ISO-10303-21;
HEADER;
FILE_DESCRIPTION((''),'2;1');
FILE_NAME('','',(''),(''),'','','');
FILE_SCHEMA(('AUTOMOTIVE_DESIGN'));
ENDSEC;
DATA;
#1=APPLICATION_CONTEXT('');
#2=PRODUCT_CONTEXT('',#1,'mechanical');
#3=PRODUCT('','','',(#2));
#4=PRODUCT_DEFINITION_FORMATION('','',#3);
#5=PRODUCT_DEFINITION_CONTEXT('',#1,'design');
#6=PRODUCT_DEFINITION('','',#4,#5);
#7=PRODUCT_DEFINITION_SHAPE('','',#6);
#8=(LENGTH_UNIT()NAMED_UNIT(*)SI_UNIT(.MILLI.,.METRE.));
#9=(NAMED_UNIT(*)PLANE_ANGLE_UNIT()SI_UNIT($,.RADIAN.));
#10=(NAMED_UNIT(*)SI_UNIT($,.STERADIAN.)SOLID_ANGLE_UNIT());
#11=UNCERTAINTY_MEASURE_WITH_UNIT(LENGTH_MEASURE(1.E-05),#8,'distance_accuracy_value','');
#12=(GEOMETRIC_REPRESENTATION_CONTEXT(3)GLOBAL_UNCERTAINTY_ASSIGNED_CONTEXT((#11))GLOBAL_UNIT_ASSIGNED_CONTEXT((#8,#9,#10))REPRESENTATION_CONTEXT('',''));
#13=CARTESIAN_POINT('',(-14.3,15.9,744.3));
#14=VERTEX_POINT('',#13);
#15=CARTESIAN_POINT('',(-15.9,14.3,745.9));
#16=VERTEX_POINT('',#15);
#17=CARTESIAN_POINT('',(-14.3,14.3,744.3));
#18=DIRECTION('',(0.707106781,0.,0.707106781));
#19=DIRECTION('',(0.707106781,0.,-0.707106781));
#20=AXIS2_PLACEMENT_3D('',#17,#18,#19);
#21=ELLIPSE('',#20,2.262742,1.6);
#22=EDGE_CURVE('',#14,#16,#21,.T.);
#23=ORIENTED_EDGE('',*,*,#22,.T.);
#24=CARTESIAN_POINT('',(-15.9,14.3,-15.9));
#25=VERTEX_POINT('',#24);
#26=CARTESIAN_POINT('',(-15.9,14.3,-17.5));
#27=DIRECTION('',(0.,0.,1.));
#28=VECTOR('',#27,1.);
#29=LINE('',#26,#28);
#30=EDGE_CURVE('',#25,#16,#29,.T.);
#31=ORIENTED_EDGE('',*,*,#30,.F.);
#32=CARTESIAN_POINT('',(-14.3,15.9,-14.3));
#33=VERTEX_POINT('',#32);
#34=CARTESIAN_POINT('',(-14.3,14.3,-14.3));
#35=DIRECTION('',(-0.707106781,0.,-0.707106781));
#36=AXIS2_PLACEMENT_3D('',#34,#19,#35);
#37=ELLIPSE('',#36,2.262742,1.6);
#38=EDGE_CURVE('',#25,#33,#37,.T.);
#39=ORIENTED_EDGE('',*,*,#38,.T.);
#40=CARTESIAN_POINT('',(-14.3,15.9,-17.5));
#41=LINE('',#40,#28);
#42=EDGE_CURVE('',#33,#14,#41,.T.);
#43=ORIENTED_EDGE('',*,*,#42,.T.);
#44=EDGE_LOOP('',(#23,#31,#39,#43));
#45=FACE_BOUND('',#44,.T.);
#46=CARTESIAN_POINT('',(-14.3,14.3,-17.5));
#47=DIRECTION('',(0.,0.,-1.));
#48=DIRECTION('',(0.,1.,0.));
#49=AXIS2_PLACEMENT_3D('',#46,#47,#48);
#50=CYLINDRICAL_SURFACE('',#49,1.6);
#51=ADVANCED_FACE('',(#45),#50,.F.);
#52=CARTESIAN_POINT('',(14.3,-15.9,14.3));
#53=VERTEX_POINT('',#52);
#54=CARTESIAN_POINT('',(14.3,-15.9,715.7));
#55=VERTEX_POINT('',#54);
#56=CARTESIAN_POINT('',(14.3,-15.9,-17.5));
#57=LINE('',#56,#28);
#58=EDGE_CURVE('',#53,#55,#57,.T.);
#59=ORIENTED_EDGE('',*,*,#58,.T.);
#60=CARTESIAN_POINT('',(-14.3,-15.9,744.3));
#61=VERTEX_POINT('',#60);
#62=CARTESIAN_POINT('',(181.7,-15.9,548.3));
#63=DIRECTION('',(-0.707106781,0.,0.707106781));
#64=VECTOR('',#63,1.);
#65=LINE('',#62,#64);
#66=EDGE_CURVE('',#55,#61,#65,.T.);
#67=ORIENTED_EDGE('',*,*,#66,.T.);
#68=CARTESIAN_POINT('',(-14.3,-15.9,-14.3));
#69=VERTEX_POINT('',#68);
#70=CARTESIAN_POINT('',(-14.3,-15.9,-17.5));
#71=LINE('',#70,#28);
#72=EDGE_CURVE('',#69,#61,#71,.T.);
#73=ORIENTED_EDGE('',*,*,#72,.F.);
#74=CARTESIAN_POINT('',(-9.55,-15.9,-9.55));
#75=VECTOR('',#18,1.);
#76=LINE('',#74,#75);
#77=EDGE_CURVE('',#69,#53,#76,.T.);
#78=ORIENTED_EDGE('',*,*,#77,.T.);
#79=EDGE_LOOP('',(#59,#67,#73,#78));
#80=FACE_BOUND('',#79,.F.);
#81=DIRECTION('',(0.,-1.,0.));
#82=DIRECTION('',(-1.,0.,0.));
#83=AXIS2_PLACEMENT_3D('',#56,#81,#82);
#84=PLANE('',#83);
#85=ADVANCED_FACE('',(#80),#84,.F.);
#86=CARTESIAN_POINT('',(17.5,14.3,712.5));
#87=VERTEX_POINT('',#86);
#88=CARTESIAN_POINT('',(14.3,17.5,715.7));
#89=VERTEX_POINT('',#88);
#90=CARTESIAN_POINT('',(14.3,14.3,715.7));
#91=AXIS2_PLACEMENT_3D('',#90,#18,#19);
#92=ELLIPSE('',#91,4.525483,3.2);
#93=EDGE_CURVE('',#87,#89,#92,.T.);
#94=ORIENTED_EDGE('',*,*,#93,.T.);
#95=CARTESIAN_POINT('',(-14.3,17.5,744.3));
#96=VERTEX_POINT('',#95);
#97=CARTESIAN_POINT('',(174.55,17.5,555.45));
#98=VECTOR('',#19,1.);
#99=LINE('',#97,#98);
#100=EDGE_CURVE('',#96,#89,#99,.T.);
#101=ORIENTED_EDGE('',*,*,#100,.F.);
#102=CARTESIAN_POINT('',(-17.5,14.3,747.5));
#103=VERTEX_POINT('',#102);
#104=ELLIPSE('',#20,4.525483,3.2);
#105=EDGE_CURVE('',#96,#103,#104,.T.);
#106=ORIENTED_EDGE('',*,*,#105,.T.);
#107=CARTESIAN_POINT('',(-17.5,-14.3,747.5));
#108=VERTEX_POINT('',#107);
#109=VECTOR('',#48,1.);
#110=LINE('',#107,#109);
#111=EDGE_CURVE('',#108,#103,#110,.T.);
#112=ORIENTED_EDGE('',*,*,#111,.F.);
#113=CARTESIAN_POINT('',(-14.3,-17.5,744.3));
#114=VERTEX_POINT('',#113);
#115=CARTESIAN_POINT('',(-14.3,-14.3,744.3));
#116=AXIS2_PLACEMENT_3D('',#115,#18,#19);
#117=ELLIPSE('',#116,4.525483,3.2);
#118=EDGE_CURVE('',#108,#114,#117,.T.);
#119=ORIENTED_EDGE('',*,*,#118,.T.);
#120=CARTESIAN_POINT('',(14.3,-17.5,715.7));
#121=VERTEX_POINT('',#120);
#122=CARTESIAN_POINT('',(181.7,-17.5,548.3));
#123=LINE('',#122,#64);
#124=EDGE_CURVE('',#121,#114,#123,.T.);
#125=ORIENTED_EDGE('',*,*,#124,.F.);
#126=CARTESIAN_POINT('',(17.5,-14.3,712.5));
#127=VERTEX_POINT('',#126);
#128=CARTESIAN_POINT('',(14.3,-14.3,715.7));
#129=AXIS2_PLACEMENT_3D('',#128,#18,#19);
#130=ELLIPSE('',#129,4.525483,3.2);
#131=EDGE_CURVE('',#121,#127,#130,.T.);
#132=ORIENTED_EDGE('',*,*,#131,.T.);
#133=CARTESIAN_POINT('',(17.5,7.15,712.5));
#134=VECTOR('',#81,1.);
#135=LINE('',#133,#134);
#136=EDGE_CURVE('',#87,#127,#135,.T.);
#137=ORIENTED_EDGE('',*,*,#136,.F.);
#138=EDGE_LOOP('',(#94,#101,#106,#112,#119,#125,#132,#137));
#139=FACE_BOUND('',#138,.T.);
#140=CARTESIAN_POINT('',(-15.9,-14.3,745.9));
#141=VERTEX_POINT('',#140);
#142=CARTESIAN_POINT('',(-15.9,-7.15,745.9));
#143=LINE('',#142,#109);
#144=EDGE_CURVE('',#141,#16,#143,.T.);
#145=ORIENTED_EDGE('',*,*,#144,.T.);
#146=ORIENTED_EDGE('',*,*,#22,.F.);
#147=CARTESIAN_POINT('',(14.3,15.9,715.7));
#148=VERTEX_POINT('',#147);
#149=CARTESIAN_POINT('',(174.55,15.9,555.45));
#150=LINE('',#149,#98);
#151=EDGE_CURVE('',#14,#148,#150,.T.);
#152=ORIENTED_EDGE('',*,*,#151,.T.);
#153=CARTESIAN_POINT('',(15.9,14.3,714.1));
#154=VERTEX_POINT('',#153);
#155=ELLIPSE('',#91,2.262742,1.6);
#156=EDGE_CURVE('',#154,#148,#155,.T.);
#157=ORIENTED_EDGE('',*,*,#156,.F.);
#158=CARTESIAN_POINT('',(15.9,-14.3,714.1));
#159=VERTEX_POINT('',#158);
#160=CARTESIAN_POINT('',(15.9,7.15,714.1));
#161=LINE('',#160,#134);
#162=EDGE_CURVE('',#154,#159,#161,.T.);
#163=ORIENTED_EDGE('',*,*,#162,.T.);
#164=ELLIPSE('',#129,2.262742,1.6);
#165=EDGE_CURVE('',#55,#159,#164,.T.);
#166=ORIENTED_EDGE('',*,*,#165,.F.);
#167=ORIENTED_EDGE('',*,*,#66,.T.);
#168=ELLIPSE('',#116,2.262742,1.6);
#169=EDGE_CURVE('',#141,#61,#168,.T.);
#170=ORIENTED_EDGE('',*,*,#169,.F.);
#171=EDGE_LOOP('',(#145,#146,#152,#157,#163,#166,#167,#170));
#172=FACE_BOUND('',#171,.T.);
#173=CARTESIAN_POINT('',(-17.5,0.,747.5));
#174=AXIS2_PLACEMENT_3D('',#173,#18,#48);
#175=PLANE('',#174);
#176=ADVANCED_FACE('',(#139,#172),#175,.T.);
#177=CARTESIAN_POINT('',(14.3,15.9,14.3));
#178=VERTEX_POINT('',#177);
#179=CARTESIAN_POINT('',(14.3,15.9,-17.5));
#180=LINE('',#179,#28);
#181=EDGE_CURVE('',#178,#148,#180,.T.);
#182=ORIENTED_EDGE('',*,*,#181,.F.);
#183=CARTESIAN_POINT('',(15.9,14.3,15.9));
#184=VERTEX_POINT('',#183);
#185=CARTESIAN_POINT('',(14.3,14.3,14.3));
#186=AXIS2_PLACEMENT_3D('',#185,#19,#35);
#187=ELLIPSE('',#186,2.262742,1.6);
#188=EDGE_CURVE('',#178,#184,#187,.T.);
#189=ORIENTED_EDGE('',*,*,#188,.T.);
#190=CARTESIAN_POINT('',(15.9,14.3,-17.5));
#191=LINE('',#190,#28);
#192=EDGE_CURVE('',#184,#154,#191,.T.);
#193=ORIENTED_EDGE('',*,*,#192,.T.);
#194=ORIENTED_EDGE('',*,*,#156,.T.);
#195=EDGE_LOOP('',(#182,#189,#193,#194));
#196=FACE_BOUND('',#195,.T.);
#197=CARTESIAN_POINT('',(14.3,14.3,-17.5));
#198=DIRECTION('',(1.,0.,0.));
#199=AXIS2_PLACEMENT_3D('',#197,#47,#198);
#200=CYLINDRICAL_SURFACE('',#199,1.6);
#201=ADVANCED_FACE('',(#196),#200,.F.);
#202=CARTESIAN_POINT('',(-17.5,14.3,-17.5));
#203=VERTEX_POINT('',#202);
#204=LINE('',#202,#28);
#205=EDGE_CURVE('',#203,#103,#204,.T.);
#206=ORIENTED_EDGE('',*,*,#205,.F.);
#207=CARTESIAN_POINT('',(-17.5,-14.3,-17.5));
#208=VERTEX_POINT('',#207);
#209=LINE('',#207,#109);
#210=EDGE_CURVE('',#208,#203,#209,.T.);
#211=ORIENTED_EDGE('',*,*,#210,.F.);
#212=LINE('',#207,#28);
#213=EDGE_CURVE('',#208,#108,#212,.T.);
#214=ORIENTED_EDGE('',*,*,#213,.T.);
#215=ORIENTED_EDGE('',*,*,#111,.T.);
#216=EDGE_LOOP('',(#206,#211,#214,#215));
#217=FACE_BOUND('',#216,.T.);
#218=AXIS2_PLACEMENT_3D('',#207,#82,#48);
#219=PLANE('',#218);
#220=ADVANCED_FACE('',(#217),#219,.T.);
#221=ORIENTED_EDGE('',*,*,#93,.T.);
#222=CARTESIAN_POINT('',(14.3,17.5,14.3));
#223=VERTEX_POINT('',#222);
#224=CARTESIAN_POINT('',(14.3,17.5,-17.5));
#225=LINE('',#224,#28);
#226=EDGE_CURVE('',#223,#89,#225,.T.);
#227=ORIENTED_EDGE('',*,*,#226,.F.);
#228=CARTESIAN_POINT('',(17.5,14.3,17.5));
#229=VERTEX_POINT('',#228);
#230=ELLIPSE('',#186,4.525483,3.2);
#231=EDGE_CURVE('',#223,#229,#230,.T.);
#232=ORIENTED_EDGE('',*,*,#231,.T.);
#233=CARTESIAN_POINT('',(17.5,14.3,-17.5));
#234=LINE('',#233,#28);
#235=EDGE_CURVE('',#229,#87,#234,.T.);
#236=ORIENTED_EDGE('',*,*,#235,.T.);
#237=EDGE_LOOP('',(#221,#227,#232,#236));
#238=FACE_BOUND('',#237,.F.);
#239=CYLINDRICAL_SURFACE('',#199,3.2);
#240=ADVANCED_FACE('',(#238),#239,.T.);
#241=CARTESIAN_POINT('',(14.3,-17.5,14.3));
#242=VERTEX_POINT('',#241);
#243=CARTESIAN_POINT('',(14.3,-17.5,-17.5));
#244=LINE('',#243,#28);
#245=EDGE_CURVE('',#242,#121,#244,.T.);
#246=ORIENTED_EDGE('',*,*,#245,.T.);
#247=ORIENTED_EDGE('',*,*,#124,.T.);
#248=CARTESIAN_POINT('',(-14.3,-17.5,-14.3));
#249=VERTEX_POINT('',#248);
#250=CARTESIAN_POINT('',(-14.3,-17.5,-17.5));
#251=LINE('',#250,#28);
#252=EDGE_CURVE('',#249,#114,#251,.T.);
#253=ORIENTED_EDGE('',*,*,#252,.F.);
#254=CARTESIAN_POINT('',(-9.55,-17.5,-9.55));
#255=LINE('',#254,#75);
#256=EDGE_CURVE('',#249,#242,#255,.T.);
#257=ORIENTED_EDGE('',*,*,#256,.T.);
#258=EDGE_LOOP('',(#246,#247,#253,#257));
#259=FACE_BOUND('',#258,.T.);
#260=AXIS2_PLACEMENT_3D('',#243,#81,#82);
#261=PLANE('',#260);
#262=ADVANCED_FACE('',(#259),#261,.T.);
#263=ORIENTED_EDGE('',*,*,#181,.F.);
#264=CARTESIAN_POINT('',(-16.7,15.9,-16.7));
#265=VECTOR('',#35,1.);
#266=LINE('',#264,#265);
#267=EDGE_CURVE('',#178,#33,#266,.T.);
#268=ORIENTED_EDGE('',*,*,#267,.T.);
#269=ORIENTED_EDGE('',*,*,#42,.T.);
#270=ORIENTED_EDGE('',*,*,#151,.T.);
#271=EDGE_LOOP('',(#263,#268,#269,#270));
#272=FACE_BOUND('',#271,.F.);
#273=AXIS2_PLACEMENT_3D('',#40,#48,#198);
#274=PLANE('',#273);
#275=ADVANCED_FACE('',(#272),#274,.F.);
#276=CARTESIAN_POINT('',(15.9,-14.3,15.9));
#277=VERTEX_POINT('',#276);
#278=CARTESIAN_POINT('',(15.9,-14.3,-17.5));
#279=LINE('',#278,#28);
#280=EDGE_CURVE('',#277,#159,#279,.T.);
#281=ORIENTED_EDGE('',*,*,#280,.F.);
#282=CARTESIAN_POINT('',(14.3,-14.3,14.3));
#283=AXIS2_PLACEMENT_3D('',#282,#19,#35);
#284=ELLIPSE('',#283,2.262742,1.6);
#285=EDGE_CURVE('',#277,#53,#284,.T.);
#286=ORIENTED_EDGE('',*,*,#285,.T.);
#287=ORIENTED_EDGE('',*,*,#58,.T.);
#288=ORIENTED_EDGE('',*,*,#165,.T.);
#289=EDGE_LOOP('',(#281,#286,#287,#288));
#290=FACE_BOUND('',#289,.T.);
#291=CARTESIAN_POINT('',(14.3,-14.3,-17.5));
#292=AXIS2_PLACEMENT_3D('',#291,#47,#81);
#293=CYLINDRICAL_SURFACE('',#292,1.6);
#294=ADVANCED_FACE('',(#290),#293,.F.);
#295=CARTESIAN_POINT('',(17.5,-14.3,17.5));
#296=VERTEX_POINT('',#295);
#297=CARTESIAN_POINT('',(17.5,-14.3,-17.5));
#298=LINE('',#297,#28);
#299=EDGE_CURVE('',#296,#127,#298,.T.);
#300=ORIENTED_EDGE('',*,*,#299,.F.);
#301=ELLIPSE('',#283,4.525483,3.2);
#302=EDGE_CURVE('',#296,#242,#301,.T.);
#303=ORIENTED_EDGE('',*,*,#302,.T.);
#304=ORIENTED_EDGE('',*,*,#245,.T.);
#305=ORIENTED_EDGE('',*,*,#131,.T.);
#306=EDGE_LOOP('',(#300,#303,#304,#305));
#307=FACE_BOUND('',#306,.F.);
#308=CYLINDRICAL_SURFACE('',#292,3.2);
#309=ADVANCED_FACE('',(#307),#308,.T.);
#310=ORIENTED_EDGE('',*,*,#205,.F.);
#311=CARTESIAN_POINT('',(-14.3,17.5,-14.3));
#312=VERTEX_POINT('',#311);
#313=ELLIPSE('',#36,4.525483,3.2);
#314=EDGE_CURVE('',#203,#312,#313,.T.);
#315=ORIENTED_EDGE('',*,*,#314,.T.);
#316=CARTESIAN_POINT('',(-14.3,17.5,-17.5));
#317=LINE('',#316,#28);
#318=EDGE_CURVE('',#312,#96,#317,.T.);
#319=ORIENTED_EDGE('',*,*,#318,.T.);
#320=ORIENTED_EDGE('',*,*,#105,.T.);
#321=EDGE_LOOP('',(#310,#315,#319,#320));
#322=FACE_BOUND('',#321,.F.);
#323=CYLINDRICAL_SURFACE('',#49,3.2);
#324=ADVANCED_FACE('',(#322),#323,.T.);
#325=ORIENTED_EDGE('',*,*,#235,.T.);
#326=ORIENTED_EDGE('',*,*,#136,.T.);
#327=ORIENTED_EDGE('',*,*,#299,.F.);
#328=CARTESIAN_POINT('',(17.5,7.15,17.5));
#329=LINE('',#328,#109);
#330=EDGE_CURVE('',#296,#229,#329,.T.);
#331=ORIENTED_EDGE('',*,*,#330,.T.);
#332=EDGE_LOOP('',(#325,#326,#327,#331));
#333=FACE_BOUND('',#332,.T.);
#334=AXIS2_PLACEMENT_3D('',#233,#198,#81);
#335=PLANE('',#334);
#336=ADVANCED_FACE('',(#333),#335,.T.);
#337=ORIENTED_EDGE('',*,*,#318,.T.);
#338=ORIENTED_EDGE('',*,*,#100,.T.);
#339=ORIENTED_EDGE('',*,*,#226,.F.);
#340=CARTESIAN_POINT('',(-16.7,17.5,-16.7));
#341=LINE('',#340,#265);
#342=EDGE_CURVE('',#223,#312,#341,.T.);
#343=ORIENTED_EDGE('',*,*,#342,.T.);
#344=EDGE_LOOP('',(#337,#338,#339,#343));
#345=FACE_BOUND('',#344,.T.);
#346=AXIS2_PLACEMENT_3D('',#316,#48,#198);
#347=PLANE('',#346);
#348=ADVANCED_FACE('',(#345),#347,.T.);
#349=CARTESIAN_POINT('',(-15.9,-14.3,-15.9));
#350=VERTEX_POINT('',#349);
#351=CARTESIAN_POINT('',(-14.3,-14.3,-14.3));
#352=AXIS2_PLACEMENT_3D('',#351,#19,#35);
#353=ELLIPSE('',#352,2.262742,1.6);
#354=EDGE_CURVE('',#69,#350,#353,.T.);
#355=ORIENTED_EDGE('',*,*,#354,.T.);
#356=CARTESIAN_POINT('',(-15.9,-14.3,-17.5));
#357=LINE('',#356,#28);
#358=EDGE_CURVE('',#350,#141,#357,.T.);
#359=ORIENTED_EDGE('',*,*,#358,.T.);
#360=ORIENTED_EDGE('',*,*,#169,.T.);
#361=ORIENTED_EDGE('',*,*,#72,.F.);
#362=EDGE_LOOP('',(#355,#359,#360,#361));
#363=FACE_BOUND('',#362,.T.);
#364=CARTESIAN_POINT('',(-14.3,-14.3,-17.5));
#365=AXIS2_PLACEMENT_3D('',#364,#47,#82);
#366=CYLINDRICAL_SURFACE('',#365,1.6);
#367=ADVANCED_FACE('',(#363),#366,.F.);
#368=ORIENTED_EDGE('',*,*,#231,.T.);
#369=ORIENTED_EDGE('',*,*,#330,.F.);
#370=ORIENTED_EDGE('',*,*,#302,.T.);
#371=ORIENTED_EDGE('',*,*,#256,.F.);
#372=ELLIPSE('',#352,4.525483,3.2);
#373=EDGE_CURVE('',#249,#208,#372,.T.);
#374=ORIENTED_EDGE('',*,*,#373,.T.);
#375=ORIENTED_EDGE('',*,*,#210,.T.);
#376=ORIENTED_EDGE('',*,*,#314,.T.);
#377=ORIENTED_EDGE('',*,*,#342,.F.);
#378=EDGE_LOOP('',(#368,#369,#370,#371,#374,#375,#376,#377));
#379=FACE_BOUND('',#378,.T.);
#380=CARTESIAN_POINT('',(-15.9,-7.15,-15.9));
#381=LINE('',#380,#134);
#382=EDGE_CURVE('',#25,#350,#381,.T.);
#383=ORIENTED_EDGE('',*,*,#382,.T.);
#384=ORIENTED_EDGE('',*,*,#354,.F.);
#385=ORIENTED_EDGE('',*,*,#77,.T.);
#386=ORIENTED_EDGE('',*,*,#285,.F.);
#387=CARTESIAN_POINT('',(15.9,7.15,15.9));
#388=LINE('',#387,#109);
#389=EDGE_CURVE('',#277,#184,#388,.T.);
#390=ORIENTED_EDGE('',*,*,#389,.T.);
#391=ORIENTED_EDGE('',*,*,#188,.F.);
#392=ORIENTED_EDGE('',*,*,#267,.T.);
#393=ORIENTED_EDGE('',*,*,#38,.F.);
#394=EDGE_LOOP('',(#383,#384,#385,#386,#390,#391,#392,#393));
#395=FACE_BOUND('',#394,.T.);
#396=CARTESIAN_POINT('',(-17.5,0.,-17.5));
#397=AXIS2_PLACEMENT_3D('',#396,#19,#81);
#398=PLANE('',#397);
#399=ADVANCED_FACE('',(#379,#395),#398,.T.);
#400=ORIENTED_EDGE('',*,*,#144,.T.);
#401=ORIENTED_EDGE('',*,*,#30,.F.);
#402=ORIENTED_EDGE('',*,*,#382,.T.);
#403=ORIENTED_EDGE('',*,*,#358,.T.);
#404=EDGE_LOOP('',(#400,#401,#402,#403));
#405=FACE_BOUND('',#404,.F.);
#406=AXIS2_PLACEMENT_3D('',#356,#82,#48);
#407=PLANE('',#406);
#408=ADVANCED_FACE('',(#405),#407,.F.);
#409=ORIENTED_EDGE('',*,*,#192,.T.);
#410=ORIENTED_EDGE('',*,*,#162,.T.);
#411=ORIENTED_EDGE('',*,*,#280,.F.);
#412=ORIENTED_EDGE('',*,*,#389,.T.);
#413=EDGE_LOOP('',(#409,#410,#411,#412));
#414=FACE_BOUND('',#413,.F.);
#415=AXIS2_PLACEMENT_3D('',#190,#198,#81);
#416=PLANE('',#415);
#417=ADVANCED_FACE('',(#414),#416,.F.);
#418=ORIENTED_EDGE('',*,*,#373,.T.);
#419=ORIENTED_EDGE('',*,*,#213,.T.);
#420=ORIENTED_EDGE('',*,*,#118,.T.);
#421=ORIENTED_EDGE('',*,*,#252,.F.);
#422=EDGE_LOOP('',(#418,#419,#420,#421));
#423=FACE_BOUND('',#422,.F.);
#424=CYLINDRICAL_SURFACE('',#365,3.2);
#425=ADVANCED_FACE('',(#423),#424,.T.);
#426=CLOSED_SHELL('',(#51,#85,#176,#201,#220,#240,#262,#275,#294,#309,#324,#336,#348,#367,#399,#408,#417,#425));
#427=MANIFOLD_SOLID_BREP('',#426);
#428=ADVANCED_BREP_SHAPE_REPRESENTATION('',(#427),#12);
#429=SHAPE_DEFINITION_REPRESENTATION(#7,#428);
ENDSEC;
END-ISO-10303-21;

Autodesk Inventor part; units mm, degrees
ref_plane "Start plane" through (0, 0, -17.5) normal (0, 0, 1) x (1, 0, 0)
ref_plane "End plane" through (0, 0, 747.5) normal (0, 0, 1) x (1, 0, 0)
sketch "Sketch" plane through (0, 0, 0) normal (0, 0, 1) x (1, 0, 0)
  line L0 (-17.5, -14.3) -> (-17.5, 14.3)
  line L1 (-14.3, 17.5) -> (14.3, 17.5)
  line L2 (17.5, 14.3) -> (17.5, -14.3)
  line L3 (14.3, -17.5) -> (-14.3, -17.5)
  arc A0 (-17.5, -14.3) -> (-14.3, -17.5) centre (-14.3, -14.3) ccw
  arc A1 (-14.3, 17.5) -> (-17.5, 14.3) centre (-14.3, 14.3) ccw
  arc A2 (17.5, 14.3) -> (14.3, 17.5) centre (14.3, 14.3) ccw
  arc A3 (14.3, -17.5) -> (17.5, -14.3) centre (14.3, -14.3) ccw
  arc A4 (-14.3, 15.9) -> (-15.9, 14.3) centre (-14.3, 14.3) ccw
  line L4 (-14.3, 15.9) -> (14.3, 15.9)
  arc A5 (15.9, 14.3) -> (14.3, 15.9) centre (14.3, 14.3) ccw
  line L5 (15.9, 14.3) -> (15.9, -14.3)
  arc A6 (14.3, -15.9) -> (15.9, -14.3) centre (14.3, -14.3) ccw
  line L6 (14.3, -15.9) -> (-14.3, -15.9)
  arc A7 (-15.9, -14.3) -> (-14.3, -15.9) centre (-14.3, -14.3) ccw
  line L7 (-15.9, -14.3) -> (-15.9, 14.3)
  line L8 (0, 25.4278) -> (0, -25.4278) construction
  line L9 (-25.4278, 0) -> (25.4278, 0) construction
  dimension "d7" = 3.2
  dimension "d10" = 35
  dimension "d11" = 35
  dimension "d12" = 1.6
  dimension "d15" = 17.5
  dimension "d16" = 17.5
extrude "Body" add sketch "Sketch" along normal up to surface (765 mm away) from surface at -17.5
sketch "Sketch3" plane through (0, 0, 0) normal (0, 0, 1) x (1, 0, 0)
  line L0 (0, 0) -> (10, 0)
ref_plane "Work Plane3" through (0, 0, 0) normal (0, -1, 0) x (1, 0, 0)
sketch "Sketch4" plane through (0, 0, 0) normal (0, -1, 0) x (1, 0, 0)
  line L0 (-2, -17.5) -> (12, -17.5)
  line L1 (-2, 747.5) -> (12, 747.5)
  dimension "d18" = 765
ref_plane "Work Plane4" through (0, -180, 747.5) normal (0, 0, 1) x (1, 0, 0)
split "Split1" plane through (0, -180, 747.5) removes the side toward (0, 0, 1)
ref_plane "Work Plane5" through (0, 0, -17.5) normal (0, 0, -1) x (-1, 0, 0)
split "Split2" plane through (0, 0, -17.5) removes the side toward (0, 0, -1)
ref_plane "Work Plane6" through (-17.5, 0, -17.5) normal (0.7071, 0, -0.7071) x (-0.7071, 0, -0.7071)
split "Split3" plane through (-17.5, 0, -17.5) removes the side toward (0.7071, 0, -0.7071)
ref_plane "Work Plane7" through (-17.5, 0, 747.5) normal (0.7071, 0, 0.7071) x (0.7071, 0, -0.7071)
split "Split4" plane through (-17.5, 0, 747.5) removes the side toward (0.7071, 0, 0.7071)
equation "\"d7\" = G_IR"
equation "\"d10\" = G_H"
equation "\"d11\" = G_W"
equation "\"d12\" = G_T"
equation "\"d15\" = 0.5 * d10"
equation "\"d16\" = 0.5 * d11"
equation "\"d3\" = G_L"
equation "\"G_W\" = 35"
equation "\"G_H\" = 35"
equation "\"G_T\" = 1.6"
equation "\"G_IR\" = 3.2"
equation "\"G_L\" = d18"
equation "\"G_OFFSET_START\" = 17.5"
equation "\"G_OFFSET_END\" = 17.5"
equation "\"d13\" = -G_OFFSET_START"
equation "\"d14\" = G_OFFSET_END + B_L"
equation "\"B_L\" = 730"
properties part number "AS 1163 - C350L0 35x35x1.6 SHS - 765" material "Steel, Mild"
